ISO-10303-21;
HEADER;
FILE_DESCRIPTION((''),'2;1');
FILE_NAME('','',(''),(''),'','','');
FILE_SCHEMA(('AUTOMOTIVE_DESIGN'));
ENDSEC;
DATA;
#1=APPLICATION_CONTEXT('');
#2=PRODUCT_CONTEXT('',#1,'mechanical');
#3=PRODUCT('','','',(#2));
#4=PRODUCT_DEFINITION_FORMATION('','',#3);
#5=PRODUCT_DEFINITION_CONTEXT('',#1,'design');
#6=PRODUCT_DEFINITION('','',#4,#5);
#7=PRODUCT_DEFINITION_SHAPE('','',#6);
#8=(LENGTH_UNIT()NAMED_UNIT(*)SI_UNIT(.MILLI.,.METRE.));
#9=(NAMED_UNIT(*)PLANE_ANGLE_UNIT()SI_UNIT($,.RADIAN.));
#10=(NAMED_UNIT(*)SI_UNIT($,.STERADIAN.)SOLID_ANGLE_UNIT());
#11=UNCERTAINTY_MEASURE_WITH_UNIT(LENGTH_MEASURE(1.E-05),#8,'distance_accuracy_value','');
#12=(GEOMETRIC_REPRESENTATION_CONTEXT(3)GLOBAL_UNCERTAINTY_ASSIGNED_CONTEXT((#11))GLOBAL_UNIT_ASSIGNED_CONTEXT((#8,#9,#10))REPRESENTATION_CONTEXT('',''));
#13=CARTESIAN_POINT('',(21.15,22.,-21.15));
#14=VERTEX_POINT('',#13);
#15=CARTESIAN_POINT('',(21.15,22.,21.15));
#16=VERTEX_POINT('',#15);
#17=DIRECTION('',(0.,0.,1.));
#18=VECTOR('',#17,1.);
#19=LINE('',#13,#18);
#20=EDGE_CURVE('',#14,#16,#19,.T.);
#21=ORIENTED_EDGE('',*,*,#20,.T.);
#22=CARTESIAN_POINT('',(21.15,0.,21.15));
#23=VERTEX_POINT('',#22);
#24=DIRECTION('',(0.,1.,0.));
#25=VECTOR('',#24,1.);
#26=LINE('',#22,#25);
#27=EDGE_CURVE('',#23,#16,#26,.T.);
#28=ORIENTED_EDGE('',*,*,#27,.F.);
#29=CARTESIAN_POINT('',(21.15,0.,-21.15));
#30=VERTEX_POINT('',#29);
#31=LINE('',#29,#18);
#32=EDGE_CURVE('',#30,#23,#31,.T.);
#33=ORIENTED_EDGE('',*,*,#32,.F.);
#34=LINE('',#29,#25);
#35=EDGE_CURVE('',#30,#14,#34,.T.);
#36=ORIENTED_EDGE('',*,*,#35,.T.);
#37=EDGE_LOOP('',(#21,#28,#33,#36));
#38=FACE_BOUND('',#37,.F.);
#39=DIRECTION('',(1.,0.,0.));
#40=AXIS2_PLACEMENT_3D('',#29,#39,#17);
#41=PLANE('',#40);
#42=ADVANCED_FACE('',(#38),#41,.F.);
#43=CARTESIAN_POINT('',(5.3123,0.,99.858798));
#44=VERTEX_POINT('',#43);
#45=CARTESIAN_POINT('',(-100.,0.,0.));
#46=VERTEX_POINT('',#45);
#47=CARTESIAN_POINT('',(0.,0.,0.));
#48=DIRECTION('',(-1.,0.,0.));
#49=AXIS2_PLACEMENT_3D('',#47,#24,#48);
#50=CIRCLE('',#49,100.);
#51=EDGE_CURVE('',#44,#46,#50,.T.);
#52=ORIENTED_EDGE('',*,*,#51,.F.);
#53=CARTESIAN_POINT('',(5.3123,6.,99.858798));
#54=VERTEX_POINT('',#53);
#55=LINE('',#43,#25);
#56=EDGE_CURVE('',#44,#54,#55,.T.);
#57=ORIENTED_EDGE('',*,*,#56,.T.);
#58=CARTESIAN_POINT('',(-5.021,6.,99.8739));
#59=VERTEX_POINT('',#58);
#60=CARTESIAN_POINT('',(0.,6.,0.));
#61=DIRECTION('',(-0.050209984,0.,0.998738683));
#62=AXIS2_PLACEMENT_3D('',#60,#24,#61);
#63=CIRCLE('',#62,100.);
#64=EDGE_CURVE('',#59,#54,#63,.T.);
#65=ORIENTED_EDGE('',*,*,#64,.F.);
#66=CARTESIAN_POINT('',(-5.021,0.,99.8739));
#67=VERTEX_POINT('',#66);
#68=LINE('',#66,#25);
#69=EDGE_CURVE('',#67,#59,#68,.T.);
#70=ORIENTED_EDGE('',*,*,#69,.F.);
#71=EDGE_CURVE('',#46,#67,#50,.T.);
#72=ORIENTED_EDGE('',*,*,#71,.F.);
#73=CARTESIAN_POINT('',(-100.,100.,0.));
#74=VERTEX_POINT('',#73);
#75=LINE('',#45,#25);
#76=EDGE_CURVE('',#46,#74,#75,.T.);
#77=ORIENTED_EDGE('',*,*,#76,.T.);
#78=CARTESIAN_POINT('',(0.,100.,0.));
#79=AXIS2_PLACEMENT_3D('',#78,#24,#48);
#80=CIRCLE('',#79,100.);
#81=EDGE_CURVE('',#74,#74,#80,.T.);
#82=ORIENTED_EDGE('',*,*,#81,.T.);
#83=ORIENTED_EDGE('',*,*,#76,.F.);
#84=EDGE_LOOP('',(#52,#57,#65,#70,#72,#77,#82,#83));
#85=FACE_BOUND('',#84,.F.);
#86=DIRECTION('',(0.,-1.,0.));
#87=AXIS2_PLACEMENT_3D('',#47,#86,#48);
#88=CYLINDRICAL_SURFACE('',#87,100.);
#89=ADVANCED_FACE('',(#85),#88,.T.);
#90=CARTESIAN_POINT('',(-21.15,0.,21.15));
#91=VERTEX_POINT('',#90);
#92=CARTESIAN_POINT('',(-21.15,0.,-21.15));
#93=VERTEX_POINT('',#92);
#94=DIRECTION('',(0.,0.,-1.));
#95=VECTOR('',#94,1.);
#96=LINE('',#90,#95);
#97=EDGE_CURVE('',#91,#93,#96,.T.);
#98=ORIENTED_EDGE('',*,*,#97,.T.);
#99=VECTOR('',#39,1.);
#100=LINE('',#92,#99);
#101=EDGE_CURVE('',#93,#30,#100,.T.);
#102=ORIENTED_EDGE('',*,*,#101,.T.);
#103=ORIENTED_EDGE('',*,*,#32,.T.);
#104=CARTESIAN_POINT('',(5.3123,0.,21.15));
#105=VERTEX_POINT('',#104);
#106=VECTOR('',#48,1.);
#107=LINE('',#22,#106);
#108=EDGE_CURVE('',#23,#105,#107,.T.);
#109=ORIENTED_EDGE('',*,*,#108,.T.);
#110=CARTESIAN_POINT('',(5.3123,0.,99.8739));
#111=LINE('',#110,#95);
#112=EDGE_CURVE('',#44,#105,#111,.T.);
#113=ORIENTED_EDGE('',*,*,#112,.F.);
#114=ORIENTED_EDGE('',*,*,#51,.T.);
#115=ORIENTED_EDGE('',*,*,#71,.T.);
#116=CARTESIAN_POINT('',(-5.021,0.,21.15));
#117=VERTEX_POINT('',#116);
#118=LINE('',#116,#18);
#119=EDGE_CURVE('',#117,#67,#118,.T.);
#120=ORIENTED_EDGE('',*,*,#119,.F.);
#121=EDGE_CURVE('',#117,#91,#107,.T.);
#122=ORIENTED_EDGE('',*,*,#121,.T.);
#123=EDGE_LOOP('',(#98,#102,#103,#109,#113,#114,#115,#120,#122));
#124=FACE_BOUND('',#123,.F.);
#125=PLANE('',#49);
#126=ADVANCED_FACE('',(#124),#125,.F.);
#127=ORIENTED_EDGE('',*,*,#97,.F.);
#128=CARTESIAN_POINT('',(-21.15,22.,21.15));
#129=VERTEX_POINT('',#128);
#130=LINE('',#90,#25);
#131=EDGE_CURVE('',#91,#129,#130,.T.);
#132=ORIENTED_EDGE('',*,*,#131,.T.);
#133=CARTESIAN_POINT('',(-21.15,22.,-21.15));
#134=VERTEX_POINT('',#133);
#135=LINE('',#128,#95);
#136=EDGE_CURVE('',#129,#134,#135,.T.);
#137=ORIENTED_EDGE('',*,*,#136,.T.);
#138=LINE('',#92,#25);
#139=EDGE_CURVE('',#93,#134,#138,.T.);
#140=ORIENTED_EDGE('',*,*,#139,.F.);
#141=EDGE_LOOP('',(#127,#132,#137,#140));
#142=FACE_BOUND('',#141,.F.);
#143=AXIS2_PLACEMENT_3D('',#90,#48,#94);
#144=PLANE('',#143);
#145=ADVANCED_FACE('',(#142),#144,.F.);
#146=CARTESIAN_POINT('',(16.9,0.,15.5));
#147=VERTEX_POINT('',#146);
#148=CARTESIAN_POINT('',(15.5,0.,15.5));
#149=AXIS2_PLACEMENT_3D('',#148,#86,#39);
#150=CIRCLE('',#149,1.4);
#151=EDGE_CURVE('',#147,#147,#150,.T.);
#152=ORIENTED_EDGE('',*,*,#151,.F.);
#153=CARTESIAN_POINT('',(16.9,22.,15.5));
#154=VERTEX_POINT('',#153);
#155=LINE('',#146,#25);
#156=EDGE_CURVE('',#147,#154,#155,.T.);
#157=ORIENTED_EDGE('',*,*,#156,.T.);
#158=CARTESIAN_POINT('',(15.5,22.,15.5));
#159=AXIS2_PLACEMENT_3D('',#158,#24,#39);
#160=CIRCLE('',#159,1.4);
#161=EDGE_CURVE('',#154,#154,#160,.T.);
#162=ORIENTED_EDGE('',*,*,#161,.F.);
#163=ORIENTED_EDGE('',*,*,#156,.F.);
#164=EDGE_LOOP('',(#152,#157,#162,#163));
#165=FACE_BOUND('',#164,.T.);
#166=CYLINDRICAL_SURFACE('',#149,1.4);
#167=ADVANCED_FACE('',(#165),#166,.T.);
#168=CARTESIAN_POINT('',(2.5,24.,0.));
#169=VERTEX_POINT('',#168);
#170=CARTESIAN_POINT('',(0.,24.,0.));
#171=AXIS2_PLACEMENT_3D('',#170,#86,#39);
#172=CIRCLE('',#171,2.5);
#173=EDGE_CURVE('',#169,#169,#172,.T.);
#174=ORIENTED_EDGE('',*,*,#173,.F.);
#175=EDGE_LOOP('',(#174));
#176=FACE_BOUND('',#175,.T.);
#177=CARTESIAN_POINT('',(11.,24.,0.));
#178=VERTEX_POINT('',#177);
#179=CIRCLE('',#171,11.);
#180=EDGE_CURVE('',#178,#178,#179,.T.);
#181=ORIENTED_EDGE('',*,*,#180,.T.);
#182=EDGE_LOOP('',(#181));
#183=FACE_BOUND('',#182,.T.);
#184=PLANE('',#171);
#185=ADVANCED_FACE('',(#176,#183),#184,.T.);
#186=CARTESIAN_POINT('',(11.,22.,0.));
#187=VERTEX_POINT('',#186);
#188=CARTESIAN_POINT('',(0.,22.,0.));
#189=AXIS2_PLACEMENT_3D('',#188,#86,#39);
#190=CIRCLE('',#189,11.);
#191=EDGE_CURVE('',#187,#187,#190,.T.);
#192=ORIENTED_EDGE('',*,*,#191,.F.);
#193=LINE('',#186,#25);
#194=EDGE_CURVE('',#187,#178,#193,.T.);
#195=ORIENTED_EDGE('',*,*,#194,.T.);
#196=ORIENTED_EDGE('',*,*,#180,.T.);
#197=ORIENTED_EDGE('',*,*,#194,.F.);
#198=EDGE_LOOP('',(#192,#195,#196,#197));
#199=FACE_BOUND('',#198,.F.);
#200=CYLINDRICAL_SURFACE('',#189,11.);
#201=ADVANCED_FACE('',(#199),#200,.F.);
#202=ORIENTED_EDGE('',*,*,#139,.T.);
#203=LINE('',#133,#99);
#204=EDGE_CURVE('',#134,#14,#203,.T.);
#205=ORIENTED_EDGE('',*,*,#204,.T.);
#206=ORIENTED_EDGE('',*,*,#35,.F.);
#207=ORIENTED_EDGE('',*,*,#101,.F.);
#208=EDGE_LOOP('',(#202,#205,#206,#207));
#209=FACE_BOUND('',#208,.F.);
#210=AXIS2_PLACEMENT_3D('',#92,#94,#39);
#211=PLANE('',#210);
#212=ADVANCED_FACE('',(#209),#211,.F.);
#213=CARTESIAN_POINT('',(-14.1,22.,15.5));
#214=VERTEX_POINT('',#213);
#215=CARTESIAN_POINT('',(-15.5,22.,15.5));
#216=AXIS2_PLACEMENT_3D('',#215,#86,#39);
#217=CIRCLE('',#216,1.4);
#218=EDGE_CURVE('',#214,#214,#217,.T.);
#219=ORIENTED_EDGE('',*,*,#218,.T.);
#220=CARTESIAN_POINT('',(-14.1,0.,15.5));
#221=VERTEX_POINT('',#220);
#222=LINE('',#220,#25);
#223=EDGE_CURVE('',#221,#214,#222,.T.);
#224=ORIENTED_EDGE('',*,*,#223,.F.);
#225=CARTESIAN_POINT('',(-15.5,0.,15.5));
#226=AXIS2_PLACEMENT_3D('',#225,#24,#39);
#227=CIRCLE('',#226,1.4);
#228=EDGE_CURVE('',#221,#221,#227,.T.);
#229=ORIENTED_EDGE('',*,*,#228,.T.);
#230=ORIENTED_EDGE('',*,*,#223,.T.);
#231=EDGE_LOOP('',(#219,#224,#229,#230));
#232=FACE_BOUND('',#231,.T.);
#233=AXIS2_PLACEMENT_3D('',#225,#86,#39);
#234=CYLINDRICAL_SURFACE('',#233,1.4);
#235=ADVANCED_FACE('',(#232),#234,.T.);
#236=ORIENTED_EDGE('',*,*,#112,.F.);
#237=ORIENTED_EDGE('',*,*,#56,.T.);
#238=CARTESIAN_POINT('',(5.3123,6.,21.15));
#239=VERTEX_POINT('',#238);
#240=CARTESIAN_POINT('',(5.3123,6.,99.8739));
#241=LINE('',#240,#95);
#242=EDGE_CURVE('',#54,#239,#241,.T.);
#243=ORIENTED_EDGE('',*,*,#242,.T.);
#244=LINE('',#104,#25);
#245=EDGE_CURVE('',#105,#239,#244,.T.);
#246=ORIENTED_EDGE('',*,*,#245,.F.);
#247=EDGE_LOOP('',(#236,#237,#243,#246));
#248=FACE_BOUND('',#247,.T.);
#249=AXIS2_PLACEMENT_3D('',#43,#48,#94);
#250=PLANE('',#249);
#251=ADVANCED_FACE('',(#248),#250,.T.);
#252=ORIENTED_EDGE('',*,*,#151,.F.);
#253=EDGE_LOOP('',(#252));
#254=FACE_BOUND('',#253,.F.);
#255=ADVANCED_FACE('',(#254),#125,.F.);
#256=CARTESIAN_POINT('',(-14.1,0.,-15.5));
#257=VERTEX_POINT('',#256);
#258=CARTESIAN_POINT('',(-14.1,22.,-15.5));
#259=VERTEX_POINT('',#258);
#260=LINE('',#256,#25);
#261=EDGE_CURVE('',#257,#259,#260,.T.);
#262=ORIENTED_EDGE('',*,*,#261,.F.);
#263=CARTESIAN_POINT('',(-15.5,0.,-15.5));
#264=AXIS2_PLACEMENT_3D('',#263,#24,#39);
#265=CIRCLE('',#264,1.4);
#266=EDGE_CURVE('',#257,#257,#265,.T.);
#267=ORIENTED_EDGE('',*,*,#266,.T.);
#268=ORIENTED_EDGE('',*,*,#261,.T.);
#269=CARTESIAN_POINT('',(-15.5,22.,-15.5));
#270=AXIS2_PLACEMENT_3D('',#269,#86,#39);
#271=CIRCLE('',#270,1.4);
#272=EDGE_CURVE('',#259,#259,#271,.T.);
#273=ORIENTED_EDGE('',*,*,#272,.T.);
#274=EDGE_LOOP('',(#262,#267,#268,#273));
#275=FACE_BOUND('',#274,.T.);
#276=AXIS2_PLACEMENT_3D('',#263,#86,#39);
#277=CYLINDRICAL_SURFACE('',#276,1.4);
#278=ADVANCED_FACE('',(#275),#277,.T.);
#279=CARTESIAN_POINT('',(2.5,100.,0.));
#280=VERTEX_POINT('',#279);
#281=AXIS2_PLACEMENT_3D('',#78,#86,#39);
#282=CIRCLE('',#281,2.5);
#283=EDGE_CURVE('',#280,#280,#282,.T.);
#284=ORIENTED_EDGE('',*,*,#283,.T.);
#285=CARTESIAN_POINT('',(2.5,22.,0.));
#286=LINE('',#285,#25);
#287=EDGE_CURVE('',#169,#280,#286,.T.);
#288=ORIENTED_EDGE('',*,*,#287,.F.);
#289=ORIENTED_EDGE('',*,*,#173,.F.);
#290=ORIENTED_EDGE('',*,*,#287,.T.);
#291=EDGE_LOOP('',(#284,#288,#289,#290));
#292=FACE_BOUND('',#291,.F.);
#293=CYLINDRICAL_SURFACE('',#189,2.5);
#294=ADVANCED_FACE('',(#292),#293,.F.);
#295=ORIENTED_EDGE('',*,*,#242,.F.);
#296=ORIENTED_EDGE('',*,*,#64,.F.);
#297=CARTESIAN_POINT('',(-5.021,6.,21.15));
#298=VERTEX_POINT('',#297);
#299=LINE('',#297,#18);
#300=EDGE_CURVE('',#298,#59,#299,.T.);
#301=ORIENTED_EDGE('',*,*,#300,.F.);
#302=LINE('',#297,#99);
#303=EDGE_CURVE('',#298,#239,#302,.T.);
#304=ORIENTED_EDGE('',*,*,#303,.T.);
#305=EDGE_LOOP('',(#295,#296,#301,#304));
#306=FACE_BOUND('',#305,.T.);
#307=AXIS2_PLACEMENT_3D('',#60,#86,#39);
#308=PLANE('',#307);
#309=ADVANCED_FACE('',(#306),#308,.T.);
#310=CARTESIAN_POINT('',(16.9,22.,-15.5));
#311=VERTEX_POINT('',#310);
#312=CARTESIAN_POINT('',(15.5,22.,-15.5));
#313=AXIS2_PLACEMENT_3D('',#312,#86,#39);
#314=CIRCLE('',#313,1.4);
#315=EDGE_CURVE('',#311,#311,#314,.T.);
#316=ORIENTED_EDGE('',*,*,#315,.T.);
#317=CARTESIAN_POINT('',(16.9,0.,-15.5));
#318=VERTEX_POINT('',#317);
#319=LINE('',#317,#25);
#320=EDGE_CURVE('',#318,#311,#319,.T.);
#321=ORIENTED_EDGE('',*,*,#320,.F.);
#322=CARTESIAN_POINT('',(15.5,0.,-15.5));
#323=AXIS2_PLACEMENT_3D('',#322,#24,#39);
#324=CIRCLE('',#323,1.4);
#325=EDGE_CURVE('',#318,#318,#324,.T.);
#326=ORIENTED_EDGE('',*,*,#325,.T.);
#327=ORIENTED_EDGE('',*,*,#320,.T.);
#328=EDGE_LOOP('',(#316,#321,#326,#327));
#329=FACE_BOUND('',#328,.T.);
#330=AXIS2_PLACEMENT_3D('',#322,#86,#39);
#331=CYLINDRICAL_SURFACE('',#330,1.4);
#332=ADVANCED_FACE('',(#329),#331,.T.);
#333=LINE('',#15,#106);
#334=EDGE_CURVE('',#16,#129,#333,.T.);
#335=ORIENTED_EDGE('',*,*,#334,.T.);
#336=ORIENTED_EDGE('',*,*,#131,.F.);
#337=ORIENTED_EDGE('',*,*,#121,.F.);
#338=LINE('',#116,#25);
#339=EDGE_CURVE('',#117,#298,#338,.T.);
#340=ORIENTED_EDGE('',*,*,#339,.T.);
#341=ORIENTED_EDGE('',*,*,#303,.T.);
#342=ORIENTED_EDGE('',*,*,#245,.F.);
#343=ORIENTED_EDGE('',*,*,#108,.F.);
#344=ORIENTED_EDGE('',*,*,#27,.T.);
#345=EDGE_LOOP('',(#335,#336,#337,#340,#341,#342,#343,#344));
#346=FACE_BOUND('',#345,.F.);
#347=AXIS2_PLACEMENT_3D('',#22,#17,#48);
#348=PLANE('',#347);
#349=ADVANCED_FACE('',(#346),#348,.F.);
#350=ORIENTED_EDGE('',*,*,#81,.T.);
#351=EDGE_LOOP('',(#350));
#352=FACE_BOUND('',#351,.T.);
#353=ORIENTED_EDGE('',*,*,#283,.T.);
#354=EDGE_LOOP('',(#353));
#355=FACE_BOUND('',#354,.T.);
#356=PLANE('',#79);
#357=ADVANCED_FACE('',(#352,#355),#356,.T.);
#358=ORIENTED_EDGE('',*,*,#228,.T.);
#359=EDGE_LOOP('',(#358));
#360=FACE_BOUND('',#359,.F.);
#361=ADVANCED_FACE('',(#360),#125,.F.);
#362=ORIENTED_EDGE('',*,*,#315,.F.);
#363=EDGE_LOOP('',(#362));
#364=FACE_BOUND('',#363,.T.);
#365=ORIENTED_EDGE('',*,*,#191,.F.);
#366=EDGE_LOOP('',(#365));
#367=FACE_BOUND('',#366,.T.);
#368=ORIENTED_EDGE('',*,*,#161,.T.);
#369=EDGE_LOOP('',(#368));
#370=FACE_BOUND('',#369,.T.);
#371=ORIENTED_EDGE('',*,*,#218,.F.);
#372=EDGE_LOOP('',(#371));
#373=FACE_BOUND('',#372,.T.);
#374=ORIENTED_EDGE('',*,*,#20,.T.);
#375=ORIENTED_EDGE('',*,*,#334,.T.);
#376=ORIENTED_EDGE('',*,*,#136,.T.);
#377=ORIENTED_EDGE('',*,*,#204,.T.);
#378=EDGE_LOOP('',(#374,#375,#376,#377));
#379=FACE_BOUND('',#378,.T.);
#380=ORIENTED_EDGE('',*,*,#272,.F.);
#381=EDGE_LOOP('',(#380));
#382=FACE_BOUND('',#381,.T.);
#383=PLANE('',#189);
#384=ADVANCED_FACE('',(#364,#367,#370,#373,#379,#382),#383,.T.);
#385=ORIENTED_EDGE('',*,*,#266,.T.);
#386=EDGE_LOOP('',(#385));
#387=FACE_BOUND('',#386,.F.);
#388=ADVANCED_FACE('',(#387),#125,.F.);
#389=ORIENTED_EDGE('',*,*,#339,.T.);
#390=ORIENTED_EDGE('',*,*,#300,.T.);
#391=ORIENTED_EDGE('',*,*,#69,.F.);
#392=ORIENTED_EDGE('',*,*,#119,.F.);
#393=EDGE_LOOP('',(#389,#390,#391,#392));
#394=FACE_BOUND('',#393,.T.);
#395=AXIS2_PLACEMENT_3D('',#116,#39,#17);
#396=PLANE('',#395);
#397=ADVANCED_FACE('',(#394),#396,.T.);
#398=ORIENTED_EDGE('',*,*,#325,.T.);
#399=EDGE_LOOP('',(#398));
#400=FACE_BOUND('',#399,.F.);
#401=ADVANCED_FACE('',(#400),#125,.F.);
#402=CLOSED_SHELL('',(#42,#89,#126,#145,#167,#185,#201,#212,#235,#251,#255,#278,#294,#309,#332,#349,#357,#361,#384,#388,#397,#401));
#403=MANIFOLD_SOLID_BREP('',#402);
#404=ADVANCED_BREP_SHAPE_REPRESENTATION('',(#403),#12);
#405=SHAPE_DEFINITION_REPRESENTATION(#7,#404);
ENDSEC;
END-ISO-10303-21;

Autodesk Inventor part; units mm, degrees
ref_plane "YZ Plane" through (0, 0, 0) normal (1, 0, 0) x (0, 1, 0)
ref_plane "XZ Plane" through (0, 0, 0) normal (0, 1, 0) x (-1, 0, 0)
ref_plane "XY Plane" through (0, 0, 0) normal (0, 0, 1) x (1, 0, 0)
sketch "Sketch1" plane through (0, 0, 0) normal (0, 1, 0) x (-1, 0, 0)
  circle A0 centre (0, 0) radius 100
  dimension "d0" = 200
extrude "Extrusion1" add sketch "Sketch1" along normal blind 100
sketch "Sketch2" plane through (0, 100, 0) normal (0, 1, 0) x (1, 0, 0)
  circle A0 centre (0, 0) radius 2.5
  dimension "d3" = 5
extrude "Extrusion2" cut sketch "Sketch2" along normal blind 22
sketch "Sketch6" plane through (0, 0, 0) normal (0, -1, 0) x (1, 0, 0)
  line L0 (15.5, 15.5) -> (-15.5, 15.5)
  line L1 (-15.5, 15.5) -> (-15.5, -15.5)
  line L2 (-15.5, -15.5) -> (15.5, -15.5)
  line L3 (15.5, -15.5) -> (15.5, 15.5)
  line L4 (15.5, 15.5) -> (-15.5, -15.5) construction
  line L5 (-15.5, 15.5) -> (15.5, -15.5) construction
  line L6 (21.15, 21.15) -> (-21.15, 21.15)
  line L7 (-21.15, 21.15) -> (-21.15, -21.15)
  line L8 (-21.15, -21.15) -> (21.15, -21.15)
  line L9 (21.15, -21.15) -> (21.15, 21.15)
  line L10 (21.15, 21.15) -> (-21.15, -21.15) construction
  line L11 (-21.15, 21.15) -> (21.15, -21.15) construction
  circle A0 centre (-15.5, -15.5) radius 1.4
  circle A1 centre (-15.5, 15.5) radius 1.4
  circle A2 centre (15.5, 15.5) radius 1.4
  circle A3 centre (15.5, -15.5) radius 1.4
  point P0 (0, 0)
  dimension "d18" = 31
  dimension "d19" = 31
  dimension "d21" = 42.3
  dimension "d22" = 42.3
  dimension "d23" = 2.8
  dimension "d24" = 2.8
  dimension "d25" = 2.8
  dimension "d26" = 2.8
extrude "Extrusion5" cut sketch "Sketch6" against normal blind 22 contours L0 A2 L3 A3 L2 A0 L1 A1 | L9 L8 L7 L6
sketch "Sketch7" plane through (0, 22, 0) normal (0, -1, 0) x (1, 0, 0)
  circle A0 centre (0, 0) radius 2.5 projected
  circle A1 centre (0, 0) radius 2.5
  dimension "d29" = 5
extrude "Extrusion6" cut sketch "Sketch7" against normal blind 80
sketch "Sketch8" plane through (0, 22, 0) normal (0, -1, 0) x (1, 0, 0)
  circle A0 centre (0, 0) radius 11
  dimension "d32" = 22
extrude "Extrusion7" cut sketch "Sketch8" against normal blind 2
sketch "Sketch9" plane through (0, 0, 0) normal (0, -1, 0) x (1, 0, 0)
  line L0 (-21.15, 21.15) -> (21.15, 21.15) projected
  circle A0 centre (0, 0) radius 100 projected
  line L1 (5.3123, 21.15) -> (-5.021, 21.15)
  line L2 (-5.021, 99.8739) -> (5.3123, 99.8739)
  line L3 (-5.021, 21.15) -> (-0.021, 21.15)
  line L4 (-0.021, 99.8739) -> (-5.021, 99.8739)
  line L5 (5.3123, 21.15) -> (-5.021, 21.15)
  line L6 (-5.021, 21.15) -> (-5.021, 99.8739)
  line L7 (-5.021, 99.8739) -> (5.3123, 99.8739)
  line L8 (5.3123, 99.8739) -> (5.3123, 21.15)
  arc A1 (5.3123, 99.8739) -> (-5.021, 99.8739) centre (0.1457, 63.1234) ccw
  point P0 (5.021, 99.8739)
  point P1 (5.3123, 99.8588)
  dimension "d40" = 78.7239
extrude "Extrusion8" cut sketch "Sketch9" against normal blind 6 contours L6 L2 A0 L8 L0 | A1 L2 A0 | A0 L2
equation "\"d24\" = d23"
equation "\"d25\" = d23"
equation "\"d26\" = d23"
properties part number "Base"
